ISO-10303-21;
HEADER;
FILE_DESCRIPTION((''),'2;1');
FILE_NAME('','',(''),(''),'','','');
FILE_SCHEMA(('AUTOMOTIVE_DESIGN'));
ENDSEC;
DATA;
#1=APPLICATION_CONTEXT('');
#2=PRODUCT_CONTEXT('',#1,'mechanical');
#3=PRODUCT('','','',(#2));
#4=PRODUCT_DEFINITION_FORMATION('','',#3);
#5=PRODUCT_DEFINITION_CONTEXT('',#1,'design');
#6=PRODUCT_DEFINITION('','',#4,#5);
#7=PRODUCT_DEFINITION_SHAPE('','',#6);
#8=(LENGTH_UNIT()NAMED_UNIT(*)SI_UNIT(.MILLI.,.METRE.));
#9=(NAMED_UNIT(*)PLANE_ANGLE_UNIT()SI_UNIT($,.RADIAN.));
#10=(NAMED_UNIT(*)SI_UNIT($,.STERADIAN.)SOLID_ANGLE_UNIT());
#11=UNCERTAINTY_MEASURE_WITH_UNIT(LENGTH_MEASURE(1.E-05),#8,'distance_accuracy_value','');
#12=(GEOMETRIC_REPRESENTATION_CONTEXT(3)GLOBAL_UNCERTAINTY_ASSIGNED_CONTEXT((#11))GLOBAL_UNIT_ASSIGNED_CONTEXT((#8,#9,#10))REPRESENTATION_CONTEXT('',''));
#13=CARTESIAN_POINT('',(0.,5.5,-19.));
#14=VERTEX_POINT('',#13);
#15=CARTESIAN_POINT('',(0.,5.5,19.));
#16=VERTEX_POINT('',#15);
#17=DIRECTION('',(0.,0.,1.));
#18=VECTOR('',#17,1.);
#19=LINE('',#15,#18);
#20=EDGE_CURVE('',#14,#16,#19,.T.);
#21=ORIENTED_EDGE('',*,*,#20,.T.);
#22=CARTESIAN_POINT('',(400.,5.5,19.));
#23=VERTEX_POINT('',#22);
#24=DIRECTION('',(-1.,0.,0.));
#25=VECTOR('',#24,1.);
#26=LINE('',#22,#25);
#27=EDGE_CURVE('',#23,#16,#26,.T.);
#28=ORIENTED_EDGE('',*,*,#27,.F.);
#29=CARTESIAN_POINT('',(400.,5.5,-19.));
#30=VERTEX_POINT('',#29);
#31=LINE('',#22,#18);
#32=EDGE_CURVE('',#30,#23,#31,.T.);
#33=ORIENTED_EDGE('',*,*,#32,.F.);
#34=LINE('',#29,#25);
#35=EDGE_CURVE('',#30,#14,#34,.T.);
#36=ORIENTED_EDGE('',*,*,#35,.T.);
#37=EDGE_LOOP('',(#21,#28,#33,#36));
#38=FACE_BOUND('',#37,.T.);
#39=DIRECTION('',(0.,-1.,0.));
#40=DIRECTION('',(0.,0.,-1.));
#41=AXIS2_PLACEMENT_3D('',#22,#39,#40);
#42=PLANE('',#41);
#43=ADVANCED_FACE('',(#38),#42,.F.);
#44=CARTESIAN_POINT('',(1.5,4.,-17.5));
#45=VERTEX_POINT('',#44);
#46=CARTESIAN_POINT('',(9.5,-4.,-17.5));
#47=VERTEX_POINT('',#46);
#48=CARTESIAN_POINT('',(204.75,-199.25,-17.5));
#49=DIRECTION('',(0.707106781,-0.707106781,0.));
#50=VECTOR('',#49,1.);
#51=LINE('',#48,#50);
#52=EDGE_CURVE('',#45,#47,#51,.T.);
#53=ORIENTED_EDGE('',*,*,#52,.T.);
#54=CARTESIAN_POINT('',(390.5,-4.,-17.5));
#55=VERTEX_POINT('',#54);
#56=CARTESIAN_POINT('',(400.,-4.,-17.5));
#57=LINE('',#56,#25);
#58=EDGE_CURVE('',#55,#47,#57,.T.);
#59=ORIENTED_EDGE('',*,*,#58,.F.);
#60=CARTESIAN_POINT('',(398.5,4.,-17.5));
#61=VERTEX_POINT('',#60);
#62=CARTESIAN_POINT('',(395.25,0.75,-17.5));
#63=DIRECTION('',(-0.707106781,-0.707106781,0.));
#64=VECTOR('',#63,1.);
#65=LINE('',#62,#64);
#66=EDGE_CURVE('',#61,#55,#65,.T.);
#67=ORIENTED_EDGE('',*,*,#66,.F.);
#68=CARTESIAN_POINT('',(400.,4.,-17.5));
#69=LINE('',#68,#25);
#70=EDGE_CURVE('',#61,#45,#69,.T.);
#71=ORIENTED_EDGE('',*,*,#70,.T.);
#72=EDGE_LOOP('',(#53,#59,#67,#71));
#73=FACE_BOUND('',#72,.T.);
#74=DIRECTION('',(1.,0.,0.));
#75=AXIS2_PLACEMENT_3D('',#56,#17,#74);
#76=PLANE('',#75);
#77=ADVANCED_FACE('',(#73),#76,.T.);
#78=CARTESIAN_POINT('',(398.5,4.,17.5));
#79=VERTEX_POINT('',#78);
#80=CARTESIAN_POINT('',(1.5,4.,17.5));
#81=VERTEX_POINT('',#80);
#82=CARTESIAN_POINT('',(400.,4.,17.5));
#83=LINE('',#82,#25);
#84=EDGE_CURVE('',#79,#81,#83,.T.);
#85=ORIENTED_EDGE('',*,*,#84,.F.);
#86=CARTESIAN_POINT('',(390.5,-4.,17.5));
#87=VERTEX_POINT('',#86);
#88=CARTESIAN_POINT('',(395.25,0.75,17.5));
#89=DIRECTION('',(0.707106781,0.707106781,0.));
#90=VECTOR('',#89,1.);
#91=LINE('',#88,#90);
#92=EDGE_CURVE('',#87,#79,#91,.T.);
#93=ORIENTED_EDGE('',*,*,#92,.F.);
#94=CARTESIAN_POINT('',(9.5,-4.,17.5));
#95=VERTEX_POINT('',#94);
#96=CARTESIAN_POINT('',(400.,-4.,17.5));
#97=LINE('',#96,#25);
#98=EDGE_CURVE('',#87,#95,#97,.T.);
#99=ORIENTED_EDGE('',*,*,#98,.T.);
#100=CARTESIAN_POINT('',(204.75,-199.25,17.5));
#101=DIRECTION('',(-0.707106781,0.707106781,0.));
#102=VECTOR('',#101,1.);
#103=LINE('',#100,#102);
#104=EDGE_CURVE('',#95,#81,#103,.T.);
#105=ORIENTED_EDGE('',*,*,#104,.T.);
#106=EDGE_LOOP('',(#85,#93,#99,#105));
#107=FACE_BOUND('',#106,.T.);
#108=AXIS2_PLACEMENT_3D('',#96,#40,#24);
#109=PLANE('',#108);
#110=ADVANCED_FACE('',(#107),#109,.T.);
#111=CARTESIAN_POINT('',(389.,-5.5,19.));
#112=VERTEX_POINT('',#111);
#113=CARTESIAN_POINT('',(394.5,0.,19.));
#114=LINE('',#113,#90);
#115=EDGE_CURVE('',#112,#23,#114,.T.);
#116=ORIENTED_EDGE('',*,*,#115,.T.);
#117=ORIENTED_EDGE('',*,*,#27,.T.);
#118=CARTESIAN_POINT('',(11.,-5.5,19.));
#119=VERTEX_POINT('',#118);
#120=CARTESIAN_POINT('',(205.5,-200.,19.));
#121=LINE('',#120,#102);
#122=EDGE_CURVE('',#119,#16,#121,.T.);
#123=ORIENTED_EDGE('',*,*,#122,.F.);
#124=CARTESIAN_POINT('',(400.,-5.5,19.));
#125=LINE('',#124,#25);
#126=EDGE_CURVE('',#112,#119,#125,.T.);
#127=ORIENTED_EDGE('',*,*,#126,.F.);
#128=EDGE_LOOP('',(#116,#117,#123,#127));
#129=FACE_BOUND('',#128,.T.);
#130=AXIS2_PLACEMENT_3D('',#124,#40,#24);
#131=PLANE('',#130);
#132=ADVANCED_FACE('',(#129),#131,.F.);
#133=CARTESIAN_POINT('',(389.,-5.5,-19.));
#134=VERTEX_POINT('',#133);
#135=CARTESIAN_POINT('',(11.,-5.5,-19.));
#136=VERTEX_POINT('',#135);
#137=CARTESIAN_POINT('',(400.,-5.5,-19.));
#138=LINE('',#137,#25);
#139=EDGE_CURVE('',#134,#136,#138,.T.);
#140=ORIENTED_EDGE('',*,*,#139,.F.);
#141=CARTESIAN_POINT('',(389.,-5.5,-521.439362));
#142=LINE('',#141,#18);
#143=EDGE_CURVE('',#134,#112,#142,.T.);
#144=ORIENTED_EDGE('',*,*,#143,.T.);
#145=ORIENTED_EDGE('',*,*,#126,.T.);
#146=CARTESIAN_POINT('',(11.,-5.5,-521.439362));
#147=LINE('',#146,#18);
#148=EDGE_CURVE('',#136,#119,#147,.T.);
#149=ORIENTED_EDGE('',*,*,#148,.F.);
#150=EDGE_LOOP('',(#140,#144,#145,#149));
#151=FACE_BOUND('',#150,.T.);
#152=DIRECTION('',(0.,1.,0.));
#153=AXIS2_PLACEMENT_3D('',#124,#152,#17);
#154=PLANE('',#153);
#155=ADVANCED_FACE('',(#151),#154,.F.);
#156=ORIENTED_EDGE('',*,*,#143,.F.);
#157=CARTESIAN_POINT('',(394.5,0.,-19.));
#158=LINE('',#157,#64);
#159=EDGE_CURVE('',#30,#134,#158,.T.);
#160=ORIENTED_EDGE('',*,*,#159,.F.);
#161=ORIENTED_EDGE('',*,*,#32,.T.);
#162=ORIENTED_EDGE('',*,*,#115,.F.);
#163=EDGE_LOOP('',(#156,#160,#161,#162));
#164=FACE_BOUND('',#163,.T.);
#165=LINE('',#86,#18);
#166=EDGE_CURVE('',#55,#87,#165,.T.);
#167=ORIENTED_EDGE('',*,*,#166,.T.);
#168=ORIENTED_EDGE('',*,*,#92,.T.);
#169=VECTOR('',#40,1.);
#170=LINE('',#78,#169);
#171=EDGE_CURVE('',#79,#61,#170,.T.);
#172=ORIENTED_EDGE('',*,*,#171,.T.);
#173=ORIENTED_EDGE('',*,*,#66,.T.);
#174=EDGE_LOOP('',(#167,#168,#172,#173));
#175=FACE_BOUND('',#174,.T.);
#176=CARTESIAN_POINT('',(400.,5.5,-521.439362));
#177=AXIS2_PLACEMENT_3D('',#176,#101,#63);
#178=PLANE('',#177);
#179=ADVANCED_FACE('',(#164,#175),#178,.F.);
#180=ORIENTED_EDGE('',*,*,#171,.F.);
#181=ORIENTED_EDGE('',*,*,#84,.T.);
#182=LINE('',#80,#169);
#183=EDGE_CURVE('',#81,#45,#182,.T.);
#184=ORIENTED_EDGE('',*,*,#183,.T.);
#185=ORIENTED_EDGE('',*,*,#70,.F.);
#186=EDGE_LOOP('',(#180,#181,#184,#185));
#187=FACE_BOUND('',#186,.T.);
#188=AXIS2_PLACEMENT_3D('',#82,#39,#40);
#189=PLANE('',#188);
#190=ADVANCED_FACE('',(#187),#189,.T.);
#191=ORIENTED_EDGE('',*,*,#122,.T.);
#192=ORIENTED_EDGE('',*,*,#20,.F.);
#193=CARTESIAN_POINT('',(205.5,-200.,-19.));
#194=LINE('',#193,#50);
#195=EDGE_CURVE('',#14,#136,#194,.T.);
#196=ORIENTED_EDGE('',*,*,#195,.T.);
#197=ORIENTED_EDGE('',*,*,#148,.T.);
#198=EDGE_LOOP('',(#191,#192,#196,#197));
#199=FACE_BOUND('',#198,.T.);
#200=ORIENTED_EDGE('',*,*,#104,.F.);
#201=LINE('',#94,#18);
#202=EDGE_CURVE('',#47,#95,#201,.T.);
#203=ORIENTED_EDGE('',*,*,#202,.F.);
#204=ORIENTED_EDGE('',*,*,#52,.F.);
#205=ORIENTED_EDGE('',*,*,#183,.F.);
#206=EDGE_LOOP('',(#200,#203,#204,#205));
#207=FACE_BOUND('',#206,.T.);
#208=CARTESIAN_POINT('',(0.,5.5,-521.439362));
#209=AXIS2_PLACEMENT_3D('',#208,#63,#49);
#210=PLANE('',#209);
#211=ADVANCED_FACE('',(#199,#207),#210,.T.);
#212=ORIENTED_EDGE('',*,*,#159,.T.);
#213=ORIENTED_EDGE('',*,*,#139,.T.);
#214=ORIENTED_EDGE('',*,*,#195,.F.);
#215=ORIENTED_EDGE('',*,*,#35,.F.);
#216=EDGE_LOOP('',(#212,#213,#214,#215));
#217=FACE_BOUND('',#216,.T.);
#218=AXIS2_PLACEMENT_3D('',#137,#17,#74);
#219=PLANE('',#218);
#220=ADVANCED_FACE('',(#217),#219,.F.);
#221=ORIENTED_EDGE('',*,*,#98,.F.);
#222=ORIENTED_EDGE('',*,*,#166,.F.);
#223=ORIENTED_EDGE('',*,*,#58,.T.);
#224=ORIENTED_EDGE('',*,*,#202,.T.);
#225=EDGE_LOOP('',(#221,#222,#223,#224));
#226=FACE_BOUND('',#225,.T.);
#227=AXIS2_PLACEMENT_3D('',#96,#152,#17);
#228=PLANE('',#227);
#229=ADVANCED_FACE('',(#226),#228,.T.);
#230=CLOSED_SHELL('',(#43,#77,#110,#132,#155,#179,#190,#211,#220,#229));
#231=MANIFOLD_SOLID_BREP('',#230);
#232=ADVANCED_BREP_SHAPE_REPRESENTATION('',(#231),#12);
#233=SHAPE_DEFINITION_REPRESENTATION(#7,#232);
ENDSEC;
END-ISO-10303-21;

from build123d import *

# Parameters (mm, degrees)
SKETCH1_W               = 38
SKETCH1_H               = 11
SKETCH1_W_2             = 35
SKETCH1_H_2             = 8
BOSS_EXTRUDE1_DEPTH     = 400
CUT_EXTRUDE1_DEPTH      = 1
CUT_EXTRUDE1_DEPTH_BACK = 39
CUT_EXTRUDE3_DEPTH      = 1
CUT_EXTRUDE3_DEPTH_BACK = 39


with BuildPart() as part:
    # Sketch1 → Boss-Extrude1 (new body)
    with BuildSketch(Plane(origin=(0, 0, 0), x_dir=(0, 0, -1), z_dir=(1, 0, 0))):
        Rectangle(SKETCH1_W, SKETCH1_H)
        Rectangle(SKETCH1_W_2, SKETCH1_H_2, mode=Mode.SUBTRACT)
    extrude(amount=BOSS_EXTRUDE1_DEPTH)

    # Sketch2 → Cut-Extrude1 (cut, two sides)
    with BuildSketch(Plane(origin=(0, 0, -19), x_dir=(-1, 0, 0), z_dir=(0, 0, -1))) as cut_extrude1_sk:
        Polygon((572.970352137, 578.470352137), (0, 5.5), (-11, -5.5), (-583.970352137, -578.470352137), (561.970352137, -1724.411056412), (1718.911056412, -567.470352137), align=None)
    extrude(amount=CUT_EXTRUDE1_DEPTH, mode=Mode.SUBTRACT)
    extrude(cut_extrude1_sk.sketch, amount=-CUT_EXTRUDE1_DEPTH_BACK, mode=Mode.SUBTRACT)

    # Sketch3 → Cut-Extrude3 (cut, two sides)
    with BuildSketch(Plane(origin=(0, 0, -19), x_dir=(-1, 0, 0), z_dir=(0, 0, -1))) as cut_extrude3_sk:
        Polygon((-972.970352137, 578.470352137), (-400, 5.5), (-389, -5.5), (183.970352137, -578.470352137), (-961.970352137, -1724.411056412), (-2118.911056412, -567.470352137), align=None)
    extrude(amount=CUT_EXTRUDE3_DEPTH, mode=Mode.SUBTRACT)
    extrude(cut_extrude3_sk.sketch, amount=-CUT_EXTRUDE3_DEPTH_BACK, mode=Mode.SUBTRACT)


solid = part.part
